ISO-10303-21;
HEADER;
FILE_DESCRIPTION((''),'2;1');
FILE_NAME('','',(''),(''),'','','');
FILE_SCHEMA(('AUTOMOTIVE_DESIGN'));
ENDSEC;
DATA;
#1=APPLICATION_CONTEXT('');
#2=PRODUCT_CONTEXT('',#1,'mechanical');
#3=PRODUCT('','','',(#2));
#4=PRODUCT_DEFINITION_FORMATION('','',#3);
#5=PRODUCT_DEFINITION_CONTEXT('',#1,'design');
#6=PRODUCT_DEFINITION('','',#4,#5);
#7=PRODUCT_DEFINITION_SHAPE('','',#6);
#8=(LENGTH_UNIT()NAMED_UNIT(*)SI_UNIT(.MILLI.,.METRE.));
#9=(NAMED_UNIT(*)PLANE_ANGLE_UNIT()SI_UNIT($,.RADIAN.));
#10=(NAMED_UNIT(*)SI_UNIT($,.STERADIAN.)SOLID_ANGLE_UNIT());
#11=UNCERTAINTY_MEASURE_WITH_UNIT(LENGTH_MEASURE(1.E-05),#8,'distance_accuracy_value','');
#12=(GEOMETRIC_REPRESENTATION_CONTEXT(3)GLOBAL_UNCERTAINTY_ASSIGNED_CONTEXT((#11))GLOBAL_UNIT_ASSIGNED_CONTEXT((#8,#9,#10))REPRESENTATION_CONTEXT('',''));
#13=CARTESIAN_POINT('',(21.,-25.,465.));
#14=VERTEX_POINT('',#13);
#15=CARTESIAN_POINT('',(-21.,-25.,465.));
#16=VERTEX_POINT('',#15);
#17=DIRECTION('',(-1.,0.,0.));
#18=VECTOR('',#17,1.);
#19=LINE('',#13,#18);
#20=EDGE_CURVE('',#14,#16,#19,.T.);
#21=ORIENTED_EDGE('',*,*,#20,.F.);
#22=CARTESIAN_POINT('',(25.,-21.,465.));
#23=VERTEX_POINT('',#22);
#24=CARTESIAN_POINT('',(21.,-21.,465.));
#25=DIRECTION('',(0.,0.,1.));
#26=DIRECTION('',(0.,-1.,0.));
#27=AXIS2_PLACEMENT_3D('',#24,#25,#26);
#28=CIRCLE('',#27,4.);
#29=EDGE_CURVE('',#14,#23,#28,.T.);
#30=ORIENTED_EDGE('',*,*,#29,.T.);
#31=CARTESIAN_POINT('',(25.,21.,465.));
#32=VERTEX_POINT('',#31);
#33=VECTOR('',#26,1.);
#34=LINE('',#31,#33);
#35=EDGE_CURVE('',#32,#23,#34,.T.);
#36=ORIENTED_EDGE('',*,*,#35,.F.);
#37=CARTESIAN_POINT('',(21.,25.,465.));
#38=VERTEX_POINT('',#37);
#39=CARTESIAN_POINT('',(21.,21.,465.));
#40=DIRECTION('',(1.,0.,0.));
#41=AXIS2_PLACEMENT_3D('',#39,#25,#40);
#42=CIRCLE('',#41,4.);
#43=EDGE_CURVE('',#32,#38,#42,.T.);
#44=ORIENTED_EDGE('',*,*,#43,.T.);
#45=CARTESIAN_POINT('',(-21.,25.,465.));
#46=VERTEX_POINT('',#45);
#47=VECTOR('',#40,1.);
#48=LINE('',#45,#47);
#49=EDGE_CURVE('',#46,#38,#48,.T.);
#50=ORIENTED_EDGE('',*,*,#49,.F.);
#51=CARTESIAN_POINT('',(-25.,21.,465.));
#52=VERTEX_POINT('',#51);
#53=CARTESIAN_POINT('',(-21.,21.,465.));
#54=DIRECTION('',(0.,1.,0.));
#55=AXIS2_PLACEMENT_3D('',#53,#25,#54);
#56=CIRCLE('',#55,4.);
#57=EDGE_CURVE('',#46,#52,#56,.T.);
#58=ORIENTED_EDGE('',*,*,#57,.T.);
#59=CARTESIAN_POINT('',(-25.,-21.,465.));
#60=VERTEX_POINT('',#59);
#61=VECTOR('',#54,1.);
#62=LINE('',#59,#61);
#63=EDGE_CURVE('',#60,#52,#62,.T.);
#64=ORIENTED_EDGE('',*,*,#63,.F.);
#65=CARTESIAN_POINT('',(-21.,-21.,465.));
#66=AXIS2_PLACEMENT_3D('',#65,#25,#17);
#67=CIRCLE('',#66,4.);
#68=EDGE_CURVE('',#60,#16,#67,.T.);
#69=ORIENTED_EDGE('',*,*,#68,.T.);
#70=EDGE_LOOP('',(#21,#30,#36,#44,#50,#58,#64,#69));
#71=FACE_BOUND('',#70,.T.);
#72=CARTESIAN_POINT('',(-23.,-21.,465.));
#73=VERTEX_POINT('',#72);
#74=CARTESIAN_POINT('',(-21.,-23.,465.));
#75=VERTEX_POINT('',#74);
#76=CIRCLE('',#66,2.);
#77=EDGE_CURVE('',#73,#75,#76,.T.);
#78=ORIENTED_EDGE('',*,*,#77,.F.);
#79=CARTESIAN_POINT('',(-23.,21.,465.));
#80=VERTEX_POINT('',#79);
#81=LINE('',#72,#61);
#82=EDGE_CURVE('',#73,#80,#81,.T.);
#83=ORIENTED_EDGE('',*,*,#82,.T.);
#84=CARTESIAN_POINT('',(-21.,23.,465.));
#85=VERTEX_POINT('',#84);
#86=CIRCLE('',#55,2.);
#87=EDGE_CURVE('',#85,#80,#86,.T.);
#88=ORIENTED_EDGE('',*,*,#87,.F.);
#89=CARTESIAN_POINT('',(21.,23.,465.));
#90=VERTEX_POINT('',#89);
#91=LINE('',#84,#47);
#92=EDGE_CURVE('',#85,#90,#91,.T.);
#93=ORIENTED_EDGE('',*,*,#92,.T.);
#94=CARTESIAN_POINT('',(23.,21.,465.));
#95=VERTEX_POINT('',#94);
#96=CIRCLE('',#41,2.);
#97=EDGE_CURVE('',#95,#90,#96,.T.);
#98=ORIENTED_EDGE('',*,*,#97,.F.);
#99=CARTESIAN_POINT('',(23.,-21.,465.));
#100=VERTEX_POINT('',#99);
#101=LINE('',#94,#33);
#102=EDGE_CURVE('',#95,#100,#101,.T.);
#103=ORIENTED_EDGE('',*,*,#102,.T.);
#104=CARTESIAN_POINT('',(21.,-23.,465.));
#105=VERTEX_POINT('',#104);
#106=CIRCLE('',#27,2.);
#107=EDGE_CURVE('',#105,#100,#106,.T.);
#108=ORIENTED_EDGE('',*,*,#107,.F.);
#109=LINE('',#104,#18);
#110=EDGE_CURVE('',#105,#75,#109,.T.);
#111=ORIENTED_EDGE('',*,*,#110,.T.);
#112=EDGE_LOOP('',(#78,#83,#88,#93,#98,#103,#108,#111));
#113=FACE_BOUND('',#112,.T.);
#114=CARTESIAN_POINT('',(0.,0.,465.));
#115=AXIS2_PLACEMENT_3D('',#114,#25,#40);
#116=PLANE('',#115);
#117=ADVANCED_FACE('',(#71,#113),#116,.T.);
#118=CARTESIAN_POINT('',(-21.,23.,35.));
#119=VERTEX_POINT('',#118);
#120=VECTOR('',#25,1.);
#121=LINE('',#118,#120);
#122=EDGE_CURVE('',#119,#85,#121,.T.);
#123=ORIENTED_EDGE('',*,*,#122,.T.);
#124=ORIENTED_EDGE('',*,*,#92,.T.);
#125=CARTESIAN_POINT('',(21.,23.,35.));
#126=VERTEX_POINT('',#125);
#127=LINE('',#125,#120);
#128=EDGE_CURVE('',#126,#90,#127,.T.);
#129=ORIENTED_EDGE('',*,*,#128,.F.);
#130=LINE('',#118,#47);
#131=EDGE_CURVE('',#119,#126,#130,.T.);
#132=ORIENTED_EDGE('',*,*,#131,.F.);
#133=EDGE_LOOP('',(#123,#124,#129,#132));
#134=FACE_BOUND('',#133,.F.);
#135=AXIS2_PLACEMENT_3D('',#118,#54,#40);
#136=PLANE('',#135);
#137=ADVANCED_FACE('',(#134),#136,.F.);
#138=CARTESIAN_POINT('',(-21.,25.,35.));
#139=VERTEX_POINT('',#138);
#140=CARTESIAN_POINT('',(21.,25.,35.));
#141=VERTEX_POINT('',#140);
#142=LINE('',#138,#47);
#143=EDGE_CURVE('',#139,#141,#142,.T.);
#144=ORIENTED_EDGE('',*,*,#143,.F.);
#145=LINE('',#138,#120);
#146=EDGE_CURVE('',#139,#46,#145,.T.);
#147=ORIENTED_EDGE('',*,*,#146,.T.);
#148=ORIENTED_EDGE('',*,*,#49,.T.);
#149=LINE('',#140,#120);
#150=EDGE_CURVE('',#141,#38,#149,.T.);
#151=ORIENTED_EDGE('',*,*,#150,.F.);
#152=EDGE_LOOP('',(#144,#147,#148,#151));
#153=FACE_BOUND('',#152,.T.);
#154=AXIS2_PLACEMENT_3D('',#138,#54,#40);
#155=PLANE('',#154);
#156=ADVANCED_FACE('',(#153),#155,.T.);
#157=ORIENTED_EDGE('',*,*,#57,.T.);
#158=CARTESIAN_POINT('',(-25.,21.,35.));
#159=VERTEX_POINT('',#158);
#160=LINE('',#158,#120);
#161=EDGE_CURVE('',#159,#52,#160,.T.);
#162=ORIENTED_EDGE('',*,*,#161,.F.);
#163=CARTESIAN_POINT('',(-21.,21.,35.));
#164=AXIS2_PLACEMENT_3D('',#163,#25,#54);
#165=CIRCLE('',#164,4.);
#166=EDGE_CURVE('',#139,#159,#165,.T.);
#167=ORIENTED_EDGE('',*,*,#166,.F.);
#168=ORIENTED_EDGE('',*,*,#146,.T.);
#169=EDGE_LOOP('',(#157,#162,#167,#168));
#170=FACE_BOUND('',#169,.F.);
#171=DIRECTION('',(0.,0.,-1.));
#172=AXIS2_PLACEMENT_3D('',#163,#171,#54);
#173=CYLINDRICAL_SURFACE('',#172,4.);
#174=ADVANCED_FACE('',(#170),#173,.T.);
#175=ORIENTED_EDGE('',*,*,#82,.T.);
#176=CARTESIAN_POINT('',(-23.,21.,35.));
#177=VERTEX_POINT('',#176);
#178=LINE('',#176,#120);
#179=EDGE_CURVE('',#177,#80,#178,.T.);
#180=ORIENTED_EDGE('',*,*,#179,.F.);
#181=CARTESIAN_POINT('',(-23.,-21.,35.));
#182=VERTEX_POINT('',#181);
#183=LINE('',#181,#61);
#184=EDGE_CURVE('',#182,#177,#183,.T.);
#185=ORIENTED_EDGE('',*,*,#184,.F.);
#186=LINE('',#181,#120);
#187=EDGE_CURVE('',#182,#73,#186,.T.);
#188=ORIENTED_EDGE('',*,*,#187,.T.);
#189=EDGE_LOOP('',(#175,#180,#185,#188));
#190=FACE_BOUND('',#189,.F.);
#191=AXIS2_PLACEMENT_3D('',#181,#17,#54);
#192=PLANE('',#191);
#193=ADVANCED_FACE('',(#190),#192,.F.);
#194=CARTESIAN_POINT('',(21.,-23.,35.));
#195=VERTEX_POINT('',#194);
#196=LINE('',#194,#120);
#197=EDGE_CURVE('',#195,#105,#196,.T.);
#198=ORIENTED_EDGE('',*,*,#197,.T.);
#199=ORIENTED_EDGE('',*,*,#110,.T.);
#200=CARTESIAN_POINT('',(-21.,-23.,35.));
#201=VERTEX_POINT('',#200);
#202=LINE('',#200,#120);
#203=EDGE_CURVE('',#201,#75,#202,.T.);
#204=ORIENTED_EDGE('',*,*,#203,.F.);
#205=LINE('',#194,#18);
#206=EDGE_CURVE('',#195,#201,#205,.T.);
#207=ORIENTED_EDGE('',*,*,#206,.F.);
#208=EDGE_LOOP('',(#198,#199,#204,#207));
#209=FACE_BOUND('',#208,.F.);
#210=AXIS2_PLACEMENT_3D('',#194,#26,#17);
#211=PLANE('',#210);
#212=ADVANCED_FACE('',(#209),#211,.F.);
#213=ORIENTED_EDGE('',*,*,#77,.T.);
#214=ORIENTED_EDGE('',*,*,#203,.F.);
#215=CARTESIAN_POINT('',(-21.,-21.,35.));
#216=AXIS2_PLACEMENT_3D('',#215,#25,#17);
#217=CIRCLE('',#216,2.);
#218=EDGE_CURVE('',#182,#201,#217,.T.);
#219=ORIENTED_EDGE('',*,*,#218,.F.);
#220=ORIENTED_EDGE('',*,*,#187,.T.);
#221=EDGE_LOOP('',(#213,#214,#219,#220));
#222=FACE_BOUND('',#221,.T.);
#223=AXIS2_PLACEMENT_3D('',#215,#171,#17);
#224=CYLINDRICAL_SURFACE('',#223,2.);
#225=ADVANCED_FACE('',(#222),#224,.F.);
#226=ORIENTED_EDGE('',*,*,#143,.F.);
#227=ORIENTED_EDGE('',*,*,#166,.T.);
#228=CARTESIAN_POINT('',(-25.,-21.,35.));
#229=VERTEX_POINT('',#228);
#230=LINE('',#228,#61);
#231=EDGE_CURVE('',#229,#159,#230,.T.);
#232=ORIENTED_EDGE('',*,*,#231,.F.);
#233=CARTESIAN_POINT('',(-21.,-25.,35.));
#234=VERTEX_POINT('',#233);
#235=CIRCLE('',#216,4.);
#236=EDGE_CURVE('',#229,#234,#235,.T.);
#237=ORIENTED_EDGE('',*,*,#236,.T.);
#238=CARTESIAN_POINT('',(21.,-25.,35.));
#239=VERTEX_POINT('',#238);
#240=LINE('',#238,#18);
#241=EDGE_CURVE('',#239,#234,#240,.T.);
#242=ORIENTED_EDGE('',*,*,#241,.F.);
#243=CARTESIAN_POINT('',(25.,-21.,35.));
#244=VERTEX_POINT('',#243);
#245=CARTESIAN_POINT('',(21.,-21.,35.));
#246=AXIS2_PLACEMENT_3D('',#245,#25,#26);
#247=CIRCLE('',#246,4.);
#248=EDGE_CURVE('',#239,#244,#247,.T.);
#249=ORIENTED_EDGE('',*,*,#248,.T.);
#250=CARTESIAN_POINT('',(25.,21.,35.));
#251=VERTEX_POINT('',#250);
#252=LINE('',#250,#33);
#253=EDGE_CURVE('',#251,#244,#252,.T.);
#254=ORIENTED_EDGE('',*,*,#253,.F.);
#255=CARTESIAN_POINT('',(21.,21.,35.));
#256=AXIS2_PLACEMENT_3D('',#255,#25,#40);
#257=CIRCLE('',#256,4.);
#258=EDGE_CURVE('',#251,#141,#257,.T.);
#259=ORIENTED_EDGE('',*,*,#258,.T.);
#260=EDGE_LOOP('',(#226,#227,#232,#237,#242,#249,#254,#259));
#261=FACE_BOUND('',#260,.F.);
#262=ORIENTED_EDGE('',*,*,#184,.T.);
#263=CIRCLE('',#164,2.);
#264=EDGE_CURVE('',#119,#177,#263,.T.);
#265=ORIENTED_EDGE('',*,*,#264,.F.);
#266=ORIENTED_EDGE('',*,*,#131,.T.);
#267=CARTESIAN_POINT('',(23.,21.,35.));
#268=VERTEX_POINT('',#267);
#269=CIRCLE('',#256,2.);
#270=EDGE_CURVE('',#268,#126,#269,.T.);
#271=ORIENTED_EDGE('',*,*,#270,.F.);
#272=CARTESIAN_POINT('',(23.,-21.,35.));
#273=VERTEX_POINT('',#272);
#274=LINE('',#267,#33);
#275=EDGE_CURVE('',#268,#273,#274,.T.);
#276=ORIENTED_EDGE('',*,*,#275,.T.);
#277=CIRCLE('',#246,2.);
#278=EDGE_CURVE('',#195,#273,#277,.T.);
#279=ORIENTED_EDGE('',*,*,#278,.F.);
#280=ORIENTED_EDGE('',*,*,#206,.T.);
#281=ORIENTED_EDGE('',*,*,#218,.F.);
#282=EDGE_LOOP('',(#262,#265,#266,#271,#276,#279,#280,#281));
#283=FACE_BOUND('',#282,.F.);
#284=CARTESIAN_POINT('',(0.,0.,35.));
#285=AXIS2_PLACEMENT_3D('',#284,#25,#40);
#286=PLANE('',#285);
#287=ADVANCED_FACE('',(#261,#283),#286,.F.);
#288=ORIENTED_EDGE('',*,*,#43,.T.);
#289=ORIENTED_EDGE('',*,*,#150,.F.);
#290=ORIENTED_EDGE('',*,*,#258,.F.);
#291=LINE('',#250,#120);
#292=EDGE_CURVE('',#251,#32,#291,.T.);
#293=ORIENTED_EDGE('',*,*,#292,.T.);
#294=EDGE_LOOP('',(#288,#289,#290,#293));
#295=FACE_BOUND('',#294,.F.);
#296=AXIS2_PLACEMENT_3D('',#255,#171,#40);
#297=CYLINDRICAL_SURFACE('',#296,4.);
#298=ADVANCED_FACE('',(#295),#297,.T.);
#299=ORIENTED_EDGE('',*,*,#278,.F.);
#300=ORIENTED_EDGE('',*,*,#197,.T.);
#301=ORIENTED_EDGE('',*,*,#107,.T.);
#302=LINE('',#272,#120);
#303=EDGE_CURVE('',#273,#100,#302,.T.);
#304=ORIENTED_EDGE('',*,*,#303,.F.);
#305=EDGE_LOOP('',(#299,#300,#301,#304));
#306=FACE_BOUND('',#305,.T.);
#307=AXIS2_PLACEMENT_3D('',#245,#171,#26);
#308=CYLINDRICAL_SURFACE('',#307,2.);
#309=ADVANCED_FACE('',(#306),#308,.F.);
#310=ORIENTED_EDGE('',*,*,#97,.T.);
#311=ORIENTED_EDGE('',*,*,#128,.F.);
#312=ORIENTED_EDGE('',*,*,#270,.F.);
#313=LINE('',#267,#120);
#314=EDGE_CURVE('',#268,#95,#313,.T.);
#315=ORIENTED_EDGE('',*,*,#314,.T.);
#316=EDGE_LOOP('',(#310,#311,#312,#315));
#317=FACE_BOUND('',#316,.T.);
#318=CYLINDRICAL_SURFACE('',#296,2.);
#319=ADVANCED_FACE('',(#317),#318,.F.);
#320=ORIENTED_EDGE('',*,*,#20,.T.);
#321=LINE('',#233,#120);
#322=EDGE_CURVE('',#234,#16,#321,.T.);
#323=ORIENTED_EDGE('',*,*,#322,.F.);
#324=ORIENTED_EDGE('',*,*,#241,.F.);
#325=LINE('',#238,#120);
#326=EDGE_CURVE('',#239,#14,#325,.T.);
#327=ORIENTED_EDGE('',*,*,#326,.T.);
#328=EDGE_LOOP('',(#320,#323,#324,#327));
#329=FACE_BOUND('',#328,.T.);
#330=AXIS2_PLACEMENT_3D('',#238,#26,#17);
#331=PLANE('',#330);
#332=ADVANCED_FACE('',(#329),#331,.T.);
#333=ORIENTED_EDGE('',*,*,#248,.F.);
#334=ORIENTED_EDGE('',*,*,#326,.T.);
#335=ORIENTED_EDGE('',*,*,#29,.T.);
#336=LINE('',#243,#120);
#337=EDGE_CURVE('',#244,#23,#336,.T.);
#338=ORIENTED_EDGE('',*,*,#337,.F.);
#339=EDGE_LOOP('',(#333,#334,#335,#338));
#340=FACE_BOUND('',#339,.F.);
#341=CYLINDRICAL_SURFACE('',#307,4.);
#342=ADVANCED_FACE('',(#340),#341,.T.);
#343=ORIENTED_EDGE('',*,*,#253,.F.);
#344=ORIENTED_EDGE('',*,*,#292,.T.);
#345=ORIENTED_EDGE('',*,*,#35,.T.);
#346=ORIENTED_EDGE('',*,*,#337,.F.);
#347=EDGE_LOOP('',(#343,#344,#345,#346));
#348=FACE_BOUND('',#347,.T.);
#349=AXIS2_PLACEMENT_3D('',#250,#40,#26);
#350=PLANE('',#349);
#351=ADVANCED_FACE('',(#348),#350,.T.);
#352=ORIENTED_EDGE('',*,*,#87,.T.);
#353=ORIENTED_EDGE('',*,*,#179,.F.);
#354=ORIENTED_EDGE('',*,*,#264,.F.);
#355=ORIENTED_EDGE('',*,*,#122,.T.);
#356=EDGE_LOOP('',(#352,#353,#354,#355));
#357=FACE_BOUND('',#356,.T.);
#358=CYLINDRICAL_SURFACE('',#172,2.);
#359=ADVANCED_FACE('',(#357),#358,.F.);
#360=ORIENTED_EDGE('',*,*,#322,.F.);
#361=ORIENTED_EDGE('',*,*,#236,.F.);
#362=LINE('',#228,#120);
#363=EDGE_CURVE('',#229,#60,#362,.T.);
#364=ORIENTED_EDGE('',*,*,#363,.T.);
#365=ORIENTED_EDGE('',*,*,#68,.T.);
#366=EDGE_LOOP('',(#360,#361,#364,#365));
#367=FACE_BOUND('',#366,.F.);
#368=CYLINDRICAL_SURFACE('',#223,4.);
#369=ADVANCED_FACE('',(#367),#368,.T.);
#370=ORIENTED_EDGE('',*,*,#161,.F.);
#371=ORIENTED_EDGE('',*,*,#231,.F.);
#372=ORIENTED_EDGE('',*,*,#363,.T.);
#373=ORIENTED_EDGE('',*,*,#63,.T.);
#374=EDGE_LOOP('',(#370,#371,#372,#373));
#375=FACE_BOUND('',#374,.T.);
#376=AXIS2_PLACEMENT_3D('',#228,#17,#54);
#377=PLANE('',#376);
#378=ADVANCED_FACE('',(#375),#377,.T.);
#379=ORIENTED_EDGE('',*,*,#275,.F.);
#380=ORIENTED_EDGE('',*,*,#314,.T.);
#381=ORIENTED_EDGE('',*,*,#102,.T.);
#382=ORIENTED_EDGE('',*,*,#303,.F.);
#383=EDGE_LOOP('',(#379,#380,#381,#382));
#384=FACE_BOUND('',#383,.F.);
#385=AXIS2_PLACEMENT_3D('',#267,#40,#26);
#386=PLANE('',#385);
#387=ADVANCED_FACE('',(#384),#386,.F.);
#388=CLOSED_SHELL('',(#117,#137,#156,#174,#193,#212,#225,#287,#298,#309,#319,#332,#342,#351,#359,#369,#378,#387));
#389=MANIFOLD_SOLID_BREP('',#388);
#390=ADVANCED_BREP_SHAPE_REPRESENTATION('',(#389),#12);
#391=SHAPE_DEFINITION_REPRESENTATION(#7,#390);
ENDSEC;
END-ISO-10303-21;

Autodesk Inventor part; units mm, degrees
ref_plane "Plano inicial" through (0, 0, 35) normal (0, 0, 1) x (1, 0, 0)
ref_plane "Plano final" through (0, 0, 465) normal (0, 0, 1) x (1, 0, 0)
sketch "Boceto" plane through (0, 0, 0) normal (0, 0, 1) x (1, 0, 0)
  line L0 (-25, -21) -> (-25, 21)
  line L1 (-21, 25) -> (21, 25)
  line L2 (25, 21) -> (25, -21)
  line L3 (21, -25) -> (-21, -25)
  arc A0 (-25, -21) -> (-21, -25) centre (-21, -21) ccw
  arc A1 (25, 21) -> (21, 25) centre (21, 21) ccw
  arc A2 (-21, 25) -> (-25, 21) centre (-21, 21) ccw
  arc A3 (21, -25) -> (25, -21) centre (21, -21) ccw
  arc A4 (-21, 23) -> (-23, 21) centre (-21, 21) ccw
  line L4 (-21, 23) -> (21, 23)
  arc A5 (23, 21) -> (21, 23) centre (21, 21) ccw
  line L5 (23, 21) -> (23, -21)
  arc A6 (21, -23) -> (23, -21) centre (21, -21) ccw
  line L6 (21, -23) -> (-21, -23)
  arc A7 (-23, -21) -> (-21, -23) centre (-21, -21) ccw
  line L7 (-23, -21) -> (-23, 21)
  line L8 (0, 36.1598) -> (0, -36.1598) construction
  line L9 (-36.1598, 0) -> (36.1598, 0) construction
  dimension "d7" = 4
  dimension "d9" = 50
  dimension "d11" = 50
  dimension "d12" = 2
  dimension "d15" = 25
  dimension "d16" = 25
extrude "Cuerpo" add sketch "Boceto" along normal up to surface (430 mm away) from surface at 35
sketch "Sketch3" plane through (0, 0, 0) normal (0, 0, 1) x (1, 0, 0)
  line L0 (0, 0) -> (10, 0)
ref_plane "Work Plane3" through (0, 0, 0) normal (0, -1, 0) x (1, 0, 0)
sketch "Sketch4" plane through (0, 0, 0) normal (0, -1, 0) x (1, 0, 0)
  line L0 (-2, 35) -> (12, 35)
  line L1 (-2, 465) -> (12, 465)
  dimension "d18" = 430
ref_plane "Plano de trabajo4" through (-640, 29, 465) normal (0, 0, 1) x (1, 0, 0)
split "Dividir1" plane through (-640, 29, 465) removes the side toward (0, 0, 1)
ref_plane "Plano de trabajo5" through (-640, -29, 35) normal (0, 0, -1) x (-1, 0, 0)
split "Dividir2" plane through (-640, -29, 35) removes the side toward (0, 0, -1)
equation "\"d7\" = G_IR"
equation "\"d9\" = G_W"
equation "\"d11\" = G_H"
equation "\"d12\" = G_T"
equation "\"d15\" = 0.5 * d9"
equation "\"d16\" = 0.5 * d11"
equation "\"d3\" = G_L"
equation "\"G_W\" = 50"
equation "\"G_H\" = 50"
equation "\"G_T\" = 2"
equation "\"G_IR\" = 4"
equation "\"G_L\" = d18"
equation "\"G_OFFSET_START\" = -35"
equation "\"G_OFFSET_END\" = -35"
equation "\"d13\" = -G_OFFSET_START"
equation "\"d14\" = G_OFFSET_END + B_L"
equation "\"B_L\" = 500"
properties part number "ISO 10799-2 - 50x50x2 - 430" material "Galvanizado catalogo 1"
